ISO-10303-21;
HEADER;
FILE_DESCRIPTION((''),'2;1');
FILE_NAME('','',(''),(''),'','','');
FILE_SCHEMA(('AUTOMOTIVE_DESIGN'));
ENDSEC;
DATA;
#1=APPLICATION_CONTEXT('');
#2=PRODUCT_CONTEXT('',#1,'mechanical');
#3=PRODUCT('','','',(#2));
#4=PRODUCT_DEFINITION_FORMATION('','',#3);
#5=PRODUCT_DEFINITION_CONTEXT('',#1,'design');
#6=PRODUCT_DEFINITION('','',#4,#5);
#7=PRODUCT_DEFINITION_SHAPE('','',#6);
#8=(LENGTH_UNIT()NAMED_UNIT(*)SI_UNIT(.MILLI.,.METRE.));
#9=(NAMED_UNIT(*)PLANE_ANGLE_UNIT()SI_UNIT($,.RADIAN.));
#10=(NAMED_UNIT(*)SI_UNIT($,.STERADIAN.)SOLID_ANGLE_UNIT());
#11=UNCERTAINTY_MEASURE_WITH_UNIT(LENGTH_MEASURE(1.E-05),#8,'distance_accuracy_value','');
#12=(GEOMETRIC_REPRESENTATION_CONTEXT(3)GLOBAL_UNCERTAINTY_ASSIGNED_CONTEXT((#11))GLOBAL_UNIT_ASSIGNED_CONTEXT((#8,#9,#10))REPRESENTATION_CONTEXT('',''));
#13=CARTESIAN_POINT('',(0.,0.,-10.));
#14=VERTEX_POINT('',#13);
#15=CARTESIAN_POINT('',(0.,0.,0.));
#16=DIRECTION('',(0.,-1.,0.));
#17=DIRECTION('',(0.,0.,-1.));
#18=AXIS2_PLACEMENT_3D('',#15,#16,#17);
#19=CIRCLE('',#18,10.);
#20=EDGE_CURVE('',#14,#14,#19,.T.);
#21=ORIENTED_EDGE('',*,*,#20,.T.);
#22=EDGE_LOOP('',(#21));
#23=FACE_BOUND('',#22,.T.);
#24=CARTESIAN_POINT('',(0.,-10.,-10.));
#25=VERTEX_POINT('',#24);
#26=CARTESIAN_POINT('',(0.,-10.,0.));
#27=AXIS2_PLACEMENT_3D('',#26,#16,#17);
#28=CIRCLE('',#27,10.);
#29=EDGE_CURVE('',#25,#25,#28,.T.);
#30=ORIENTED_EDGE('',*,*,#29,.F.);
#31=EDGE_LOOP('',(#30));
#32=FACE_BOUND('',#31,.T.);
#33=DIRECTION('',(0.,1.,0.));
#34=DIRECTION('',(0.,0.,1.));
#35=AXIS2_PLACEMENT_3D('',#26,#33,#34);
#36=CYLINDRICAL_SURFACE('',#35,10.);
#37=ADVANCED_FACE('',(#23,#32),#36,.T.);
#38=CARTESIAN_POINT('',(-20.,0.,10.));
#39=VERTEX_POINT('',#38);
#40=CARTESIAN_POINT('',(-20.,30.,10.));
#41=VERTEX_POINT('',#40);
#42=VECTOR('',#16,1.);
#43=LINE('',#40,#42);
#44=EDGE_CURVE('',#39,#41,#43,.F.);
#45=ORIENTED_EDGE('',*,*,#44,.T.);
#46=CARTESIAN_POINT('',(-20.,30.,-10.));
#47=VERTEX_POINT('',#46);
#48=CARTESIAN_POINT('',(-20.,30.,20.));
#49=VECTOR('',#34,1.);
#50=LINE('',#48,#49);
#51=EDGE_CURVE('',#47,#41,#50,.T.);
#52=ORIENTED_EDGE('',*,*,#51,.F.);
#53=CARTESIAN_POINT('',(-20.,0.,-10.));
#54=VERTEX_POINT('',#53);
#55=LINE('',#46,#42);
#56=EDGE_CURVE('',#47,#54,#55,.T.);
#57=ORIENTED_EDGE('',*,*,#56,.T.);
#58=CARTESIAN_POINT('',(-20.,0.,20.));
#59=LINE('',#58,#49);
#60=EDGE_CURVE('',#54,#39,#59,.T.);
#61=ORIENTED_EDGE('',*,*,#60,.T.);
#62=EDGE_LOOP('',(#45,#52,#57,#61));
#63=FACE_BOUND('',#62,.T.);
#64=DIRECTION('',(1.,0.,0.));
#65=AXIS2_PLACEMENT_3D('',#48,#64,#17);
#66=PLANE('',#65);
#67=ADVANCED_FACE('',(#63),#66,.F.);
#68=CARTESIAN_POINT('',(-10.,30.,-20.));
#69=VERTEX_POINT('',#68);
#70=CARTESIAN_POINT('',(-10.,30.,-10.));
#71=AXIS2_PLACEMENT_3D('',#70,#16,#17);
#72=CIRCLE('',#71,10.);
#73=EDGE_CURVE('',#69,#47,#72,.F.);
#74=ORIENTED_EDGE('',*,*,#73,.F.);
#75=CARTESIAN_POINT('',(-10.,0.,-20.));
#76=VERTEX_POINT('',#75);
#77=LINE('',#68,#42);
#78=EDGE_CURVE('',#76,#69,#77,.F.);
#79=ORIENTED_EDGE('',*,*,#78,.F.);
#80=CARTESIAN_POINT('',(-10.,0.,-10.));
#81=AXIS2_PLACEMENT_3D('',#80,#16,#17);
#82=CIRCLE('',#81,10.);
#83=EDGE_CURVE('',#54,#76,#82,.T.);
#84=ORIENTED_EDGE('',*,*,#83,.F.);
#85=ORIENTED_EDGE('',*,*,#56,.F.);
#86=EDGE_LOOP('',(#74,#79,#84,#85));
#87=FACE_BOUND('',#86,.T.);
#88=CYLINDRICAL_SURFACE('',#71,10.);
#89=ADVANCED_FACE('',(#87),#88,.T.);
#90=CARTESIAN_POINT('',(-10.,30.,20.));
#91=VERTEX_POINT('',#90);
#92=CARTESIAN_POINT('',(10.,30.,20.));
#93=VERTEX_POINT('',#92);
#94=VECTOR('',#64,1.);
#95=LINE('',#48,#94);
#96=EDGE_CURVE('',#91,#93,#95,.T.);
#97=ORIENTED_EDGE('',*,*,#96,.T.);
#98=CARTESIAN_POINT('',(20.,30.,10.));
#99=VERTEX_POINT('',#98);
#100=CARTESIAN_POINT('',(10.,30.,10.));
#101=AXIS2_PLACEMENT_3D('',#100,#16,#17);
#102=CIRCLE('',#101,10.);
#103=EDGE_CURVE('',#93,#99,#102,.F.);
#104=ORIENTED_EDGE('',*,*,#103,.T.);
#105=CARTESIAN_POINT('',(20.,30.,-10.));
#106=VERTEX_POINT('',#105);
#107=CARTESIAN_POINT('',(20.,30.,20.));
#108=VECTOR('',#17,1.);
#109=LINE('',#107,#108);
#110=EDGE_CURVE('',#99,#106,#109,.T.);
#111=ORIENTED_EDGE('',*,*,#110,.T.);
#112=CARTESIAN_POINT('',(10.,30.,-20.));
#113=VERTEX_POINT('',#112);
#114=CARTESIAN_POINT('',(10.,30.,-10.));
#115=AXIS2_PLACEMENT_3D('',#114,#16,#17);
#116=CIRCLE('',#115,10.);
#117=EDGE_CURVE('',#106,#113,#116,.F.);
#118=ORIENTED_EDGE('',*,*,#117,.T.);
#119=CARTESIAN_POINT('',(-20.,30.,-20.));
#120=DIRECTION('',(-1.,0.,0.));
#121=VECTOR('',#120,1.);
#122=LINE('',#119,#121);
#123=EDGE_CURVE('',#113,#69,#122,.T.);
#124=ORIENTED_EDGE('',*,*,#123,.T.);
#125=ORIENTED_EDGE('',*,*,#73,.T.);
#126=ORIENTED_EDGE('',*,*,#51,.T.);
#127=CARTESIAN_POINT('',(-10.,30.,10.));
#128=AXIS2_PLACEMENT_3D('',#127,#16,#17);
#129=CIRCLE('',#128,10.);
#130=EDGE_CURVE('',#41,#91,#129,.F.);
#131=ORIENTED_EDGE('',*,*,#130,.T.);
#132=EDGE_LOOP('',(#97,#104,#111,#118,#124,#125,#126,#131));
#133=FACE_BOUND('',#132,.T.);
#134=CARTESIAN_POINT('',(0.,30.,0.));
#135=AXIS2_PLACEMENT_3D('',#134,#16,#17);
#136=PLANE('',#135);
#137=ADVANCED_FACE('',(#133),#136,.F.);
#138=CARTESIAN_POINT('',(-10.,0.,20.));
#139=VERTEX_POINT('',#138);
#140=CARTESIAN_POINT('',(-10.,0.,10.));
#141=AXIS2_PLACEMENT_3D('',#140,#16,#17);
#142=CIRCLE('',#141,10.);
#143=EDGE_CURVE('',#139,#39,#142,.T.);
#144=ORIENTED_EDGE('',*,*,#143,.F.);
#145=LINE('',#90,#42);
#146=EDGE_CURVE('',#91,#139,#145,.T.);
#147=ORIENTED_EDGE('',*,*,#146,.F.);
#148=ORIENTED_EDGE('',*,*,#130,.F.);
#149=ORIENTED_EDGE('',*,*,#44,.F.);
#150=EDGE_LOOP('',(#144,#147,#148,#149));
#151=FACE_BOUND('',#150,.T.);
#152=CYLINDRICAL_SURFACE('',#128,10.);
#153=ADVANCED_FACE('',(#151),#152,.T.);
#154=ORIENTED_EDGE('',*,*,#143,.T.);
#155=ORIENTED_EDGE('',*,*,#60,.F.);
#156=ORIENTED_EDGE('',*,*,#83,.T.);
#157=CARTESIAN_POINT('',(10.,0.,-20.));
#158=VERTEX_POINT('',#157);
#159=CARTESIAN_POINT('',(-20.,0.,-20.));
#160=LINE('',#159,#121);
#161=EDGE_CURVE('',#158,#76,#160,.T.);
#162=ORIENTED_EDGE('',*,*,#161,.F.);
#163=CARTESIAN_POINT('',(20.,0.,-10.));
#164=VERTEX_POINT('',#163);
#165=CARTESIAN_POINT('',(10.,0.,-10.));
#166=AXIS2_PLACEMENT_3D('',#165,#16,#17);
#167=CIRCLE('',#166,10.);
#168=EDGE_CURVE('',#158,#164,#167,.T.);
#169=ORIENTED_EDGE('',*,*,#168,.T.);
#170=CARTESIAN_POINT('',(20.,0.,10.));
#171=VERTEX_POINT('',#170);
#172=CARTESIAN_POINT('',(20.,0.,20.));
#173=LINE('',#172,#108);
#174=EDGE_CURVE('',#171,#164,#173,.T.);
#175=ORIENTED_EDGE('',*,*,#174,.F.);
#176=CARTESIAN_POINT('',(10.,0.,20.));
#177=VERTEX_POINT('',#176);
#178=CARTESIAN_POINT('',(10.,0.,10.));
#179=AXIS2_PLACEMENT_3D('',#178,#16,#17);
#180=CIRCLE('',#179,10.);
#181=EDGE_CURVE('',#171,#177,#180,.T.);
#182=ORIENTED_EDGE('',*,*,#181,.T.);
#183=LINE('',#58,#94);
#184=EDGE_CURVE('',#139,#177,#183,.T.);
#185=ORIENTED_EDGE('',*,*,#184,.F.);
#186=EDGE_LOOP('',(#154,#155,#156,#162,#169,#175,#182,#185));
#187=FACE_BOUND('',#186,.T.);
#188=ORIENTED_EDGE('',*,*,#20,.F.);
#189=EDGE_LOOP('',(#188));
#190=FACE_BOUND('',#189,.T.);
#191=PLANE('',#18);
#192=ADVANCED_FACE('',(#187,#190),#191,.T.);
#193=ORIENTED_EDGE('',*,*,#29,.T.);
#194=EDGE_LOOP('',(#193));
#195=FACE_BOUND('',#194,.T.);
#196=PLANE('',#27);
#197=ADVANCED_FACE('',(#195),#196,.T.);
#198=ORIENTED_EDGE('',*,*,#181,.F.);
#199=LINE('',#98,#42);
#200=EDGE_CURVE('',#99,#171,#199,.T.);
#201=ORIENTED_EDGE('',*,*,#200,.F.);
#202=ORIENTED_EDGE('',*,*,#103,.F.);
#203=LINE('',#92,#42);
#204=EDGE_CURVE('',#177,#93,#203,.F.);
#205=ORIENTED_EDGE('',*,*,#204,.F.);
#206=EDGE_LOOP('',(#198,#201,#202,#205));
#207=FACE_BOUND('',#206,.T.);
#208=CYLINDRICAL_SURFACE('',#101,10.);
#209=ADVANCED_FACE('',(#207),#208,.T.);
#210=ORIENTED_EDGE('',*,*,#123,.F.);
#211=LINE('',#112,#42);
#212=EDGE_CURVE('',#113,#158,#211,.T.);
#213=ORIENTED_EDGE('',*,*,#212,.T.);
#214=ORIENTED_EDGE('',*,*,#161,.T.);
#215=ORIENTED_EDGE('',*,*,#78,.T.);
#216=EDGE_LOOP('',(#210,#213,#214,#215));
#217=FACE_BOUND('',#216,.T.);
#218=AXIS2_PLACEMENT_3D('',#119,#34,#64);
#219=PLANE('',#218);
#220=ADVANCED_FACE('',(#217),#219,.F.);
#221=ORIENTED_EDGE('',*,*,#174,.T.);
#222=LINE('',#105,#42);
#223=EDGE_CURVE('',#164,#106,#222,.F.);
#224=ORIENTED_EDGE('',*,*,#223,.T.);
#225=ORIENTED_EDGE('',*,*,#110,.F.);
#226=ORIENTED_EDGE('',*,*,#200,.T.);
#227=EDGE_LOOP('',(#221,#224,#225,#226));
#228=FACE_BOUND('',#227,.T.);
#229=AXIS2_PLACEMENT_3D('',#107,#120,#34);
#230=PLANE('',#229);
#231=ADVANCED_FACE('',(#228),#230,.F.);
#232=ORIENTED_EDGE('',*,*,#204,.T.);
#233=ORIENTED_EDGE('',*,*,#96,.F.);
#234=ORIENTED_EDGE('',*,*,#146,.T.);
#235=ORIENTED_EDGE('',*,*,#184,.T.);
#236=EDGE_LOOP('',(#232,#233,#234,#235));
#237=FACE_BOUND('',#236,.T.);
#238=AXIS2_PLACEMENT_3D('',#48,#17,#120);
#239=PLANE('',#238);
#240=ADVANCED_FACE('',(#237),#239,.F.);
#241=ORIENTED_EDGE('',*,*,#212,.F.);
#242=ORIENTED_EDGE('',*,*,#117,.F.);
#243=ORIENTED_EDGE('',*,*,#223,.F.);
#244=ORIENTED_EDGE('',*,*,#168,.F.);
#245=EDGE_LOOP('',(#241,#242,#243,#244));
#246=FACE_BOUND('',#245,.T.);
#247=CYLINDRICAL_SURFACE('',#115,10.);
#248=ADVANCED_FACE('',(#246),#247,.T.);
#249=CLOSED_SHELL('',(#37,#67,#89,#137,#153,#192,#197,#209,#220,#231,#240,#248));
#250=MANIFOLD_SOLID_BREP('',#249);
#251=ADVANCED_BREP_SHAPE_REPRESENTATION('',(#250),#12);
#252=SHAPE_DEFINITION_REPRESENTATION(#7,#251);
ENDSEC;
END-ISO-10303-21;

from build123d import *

# Parameters (mm, degrees)
SKETCH1_W           = 40
SKETCH1_H           = 40
BOSS_EXTRUDE1_DEPTH = 30
SKETCH2_R           = 10
BOSS_EXTRUDE2_DEPTH = 10
FILLET1_R           = 10


with BuildPart() as part:
    # Sketch1 → Boss-Extrude1 (new body)
    with BuildSketch(Plane(origin=(0, 0, 0), x_dir=(1, 0, 0), z_dir=(0, 1, 0))):
        Rectangle(SKETCH1_W, SKETCH1_H)
    extrude(amount=BOSS_EXTRUDE1_DEPTH)

    # Sketch2 → Boss-Extrude2 (add)
    with BuildSketch(Plane(origin=(0, 0, 0), x_dir=(-1, 0, 0), z_dir=(0, -1, 0))):
        with Locations(Location((0, 0, 0), (0, 0, 90))):
            Circle(SKETCH2_R)
    extrude(amount=BOSS_EXTRUDE2_DEPTH)

    # Fillet1
    fillet1_edges = [part.edges().sort_by_distance(p)[0] for p in [
        (20, 15, 20),
        (-20, 15, 20),
        (-20, 15, -20),
        (20, 15, -20),
    ]]
    fillet(fillet1_edges, radius=FILLET1_R)


solid = part.part
